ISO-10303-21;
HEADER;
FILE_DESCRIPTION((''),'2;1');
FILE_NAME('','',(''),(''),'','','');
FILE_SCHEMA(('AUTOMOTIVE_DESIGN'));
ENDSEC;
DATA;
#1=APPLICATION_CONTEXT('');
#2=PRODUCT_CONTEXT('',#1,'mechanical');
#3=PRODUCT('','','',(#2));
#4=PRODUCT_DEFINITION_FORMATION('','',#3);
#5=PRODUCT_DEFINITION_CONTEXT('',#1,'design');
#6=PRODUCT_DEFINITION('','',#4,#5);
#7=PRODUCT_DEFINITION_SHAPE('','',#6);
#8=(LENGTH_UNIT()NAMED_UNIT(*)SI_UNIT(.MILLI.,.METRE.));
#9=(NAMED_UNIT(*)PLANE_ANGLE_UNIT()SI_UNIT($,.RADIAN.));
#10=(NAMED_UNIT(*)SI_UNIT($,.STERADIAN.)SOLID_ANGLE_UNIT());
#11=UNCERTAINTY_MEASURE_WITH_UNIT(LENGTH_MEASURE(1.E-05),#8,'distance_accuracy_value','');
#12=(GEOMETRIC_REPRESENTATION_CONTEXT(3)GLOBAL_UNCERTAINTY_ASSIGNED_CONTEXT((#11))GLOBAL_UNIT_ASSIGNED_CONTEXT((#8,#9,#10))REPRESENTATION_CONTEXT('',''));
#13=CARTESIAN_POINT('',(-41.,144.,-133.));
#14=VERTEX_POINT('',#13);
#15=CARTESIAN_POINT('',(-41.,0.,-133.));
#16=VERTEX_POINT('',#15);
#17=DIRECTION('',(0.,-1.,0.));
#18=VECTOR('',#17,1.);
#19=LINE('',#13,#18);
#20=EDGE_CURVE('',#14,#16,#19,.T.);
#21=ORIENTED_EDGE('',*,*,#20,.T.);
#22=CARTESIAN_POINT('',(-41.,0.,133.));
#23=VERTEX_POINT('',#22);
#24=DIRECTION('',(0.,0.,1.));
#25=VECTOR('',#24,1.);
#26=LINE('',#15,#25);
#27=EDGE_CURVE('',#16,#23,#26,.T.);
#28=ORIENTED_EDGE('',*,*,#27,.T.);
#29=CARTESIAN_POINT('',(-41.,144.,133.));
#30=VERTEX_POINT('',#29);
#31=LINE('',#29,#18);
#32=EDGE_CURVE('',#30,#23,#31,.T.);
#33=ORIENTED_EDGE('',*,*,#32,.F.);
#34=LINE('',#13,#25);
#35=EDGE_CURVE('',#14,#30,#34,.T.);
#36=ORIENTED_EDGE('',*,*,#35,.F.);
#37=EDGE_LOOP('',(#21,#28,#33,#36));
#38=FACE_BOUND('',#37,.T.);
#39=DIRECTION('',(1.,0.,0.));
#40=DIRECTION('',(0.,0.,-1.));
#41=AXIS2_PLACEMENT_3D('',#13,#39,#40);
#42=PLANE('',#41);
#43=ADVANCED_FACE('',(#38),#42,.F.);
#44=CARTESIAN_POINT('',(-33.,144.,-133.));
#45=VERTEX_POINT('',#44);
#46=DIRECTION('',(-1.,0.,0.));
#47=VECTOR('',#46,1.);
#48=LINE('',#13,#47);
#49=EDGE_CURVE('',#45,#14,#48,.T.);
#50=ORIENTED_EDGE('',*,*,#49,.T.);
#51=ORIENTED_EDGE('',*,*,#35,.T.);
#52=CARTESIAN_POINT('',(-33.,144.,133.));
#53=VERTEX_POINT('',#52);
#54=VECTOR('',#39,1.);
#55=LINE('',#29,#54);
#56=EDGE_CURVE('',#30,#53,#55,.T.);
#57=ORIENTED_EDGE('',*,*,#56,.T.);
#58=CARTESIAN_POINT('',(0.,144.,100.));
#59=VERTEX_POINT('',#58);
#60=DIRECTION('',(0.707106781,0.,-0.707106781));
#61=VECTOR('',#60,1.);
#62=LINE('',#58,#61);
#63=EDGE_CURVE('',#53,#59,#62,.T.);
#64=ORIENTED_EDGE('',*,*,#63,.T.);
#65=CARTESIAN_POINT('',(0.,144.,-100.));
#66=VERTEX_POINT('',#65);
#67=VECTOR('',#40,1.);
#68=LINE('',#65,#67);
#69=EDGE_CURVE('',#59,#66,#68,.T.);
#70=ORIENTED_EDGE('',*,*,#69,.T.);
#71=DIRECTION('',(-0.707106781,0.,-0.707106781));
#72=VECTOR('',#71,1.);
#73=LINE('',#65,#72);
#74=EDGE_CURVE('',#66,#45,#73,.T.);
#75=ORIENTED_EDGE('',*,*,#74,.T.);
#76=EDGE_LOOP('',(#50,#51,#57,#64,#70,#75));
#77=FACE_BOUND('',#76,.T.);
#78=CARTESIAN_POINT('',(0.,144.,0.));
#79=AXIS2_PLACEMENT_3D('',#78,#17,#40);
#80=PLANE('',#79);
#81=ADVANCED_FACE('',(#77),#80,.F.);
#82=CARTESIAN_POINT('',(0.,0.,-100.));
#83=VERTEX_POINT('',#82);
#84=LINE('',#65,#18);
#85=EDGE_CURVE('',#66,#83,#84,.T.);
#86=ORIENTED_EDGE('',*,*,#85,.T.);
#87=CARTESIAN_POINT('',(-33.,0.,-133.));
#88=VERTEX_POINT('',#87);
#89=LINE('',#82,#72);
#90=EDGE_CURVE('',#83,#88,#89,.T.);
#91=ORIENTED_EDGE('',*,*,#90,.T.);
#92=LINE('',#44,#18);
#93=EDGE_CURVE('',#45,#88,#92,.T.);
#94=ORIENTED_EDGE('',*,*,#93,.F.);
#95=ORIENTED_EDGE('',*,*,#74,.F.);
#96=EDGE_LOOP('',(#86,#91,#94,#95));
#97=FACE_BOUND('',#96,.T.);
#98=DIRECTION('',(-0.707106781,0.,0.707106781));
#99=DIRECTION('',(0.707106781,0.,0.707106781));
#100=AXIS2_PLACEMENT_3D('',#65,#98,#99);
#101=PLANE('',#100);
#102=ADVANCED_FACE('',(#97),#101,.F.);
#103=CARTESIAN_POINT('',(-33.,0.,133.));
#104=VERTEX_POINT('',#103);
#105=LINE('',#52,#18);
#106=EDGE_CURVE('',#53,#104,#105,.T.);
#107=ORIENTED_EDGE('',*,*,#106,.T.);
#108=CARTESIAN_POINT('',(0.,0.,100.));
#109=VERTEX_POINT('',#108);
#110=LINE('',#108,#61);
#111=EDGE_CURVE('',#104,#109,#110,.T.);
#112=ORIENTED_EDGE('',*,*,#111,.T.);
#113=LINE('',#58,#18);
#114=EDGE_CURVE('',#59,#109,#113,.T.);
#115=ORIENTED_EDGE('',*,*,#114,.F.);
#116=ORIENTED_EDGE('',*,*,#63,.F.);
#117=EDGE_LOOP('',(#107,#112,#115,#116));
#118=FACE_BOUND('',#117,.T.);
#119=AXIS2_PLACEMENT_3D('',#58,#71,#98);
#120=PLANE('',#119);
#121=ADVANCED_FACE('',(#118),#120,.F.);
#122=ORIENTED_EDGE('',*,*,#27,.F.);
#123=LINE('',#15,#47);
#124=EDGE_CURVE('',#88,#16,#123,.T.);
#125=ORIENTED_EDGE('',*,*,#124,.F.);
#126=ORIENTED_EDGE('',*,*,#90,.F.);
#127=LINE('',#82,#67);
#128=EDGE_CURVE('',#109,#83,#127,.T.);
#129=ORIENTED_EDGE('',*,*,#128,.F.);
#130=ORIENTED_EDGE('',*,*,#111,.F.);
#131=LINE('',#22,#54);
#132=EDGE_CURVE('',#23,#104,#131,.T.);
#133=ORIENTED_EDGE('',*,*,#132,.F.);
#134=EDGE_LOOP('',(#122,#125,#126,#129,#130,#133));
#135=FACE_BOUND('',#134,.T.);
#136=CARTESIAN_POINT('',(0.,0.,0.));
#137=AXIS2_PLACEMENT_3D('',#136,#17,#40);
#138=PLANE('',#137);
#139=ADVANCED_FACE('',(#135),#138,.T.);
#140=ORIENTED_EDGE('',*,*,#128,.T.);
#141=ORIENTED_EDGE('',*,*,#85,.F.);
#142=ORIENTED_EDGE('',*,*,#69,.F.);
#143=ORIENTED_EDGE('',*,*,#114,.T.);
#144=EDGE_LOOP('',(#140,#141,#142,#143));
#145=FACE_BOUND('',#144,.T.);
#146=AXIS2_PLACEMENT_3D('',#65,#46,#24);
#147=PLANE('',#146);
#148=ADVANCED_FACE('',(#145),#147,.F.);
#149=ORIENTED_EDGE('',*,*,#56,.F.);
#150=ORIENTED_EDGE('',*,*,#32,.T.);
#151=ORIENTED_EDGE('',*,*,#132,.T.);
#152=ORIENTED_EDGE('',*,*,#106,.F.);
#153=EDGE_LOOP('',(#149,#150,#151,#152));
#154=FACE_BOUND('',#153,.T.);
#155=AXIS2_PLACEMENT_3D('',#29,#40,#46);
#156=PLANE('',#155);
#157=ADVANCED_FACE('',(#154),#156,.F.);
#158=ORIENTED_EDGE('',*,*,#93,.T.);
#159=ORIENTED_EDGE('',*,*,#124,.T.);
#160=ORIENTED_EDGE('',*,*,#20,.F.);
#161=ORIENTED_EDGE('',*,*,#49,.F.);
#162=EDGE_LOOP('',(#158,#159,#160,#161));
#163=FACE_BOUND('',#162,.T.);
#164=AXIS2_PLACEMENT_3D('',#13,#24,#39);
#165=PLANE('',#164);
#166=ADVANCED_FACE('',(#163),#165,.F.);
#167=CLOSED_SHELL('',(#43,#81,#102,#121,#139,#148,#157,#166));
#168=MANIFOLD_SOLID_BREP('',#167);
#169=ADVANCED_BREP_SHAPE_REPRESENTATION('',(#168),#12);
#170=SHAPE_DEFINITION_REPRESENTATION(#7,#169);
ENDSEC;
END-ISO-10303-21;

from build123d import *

# Parameters (mm, degrees)
BOSS_EXTRUDE1_DEPTH = 144


with BuildPart() as part:
    # Sketch1 → Boss-Extrude1 (new body)
    with BuildSketch(Plane(origin=(0, 0, 0), x_dir=(1, 0, 0), z_dir=(0, 1, 0))):
        Polygon((0, -100), (-33, -133), (-41, -133), (-41, 133), (-33, 133), (0, 100), align=None)
    extrude(amount=BOSS_EXTRUDE1_DEPTH)


solid = part.part
